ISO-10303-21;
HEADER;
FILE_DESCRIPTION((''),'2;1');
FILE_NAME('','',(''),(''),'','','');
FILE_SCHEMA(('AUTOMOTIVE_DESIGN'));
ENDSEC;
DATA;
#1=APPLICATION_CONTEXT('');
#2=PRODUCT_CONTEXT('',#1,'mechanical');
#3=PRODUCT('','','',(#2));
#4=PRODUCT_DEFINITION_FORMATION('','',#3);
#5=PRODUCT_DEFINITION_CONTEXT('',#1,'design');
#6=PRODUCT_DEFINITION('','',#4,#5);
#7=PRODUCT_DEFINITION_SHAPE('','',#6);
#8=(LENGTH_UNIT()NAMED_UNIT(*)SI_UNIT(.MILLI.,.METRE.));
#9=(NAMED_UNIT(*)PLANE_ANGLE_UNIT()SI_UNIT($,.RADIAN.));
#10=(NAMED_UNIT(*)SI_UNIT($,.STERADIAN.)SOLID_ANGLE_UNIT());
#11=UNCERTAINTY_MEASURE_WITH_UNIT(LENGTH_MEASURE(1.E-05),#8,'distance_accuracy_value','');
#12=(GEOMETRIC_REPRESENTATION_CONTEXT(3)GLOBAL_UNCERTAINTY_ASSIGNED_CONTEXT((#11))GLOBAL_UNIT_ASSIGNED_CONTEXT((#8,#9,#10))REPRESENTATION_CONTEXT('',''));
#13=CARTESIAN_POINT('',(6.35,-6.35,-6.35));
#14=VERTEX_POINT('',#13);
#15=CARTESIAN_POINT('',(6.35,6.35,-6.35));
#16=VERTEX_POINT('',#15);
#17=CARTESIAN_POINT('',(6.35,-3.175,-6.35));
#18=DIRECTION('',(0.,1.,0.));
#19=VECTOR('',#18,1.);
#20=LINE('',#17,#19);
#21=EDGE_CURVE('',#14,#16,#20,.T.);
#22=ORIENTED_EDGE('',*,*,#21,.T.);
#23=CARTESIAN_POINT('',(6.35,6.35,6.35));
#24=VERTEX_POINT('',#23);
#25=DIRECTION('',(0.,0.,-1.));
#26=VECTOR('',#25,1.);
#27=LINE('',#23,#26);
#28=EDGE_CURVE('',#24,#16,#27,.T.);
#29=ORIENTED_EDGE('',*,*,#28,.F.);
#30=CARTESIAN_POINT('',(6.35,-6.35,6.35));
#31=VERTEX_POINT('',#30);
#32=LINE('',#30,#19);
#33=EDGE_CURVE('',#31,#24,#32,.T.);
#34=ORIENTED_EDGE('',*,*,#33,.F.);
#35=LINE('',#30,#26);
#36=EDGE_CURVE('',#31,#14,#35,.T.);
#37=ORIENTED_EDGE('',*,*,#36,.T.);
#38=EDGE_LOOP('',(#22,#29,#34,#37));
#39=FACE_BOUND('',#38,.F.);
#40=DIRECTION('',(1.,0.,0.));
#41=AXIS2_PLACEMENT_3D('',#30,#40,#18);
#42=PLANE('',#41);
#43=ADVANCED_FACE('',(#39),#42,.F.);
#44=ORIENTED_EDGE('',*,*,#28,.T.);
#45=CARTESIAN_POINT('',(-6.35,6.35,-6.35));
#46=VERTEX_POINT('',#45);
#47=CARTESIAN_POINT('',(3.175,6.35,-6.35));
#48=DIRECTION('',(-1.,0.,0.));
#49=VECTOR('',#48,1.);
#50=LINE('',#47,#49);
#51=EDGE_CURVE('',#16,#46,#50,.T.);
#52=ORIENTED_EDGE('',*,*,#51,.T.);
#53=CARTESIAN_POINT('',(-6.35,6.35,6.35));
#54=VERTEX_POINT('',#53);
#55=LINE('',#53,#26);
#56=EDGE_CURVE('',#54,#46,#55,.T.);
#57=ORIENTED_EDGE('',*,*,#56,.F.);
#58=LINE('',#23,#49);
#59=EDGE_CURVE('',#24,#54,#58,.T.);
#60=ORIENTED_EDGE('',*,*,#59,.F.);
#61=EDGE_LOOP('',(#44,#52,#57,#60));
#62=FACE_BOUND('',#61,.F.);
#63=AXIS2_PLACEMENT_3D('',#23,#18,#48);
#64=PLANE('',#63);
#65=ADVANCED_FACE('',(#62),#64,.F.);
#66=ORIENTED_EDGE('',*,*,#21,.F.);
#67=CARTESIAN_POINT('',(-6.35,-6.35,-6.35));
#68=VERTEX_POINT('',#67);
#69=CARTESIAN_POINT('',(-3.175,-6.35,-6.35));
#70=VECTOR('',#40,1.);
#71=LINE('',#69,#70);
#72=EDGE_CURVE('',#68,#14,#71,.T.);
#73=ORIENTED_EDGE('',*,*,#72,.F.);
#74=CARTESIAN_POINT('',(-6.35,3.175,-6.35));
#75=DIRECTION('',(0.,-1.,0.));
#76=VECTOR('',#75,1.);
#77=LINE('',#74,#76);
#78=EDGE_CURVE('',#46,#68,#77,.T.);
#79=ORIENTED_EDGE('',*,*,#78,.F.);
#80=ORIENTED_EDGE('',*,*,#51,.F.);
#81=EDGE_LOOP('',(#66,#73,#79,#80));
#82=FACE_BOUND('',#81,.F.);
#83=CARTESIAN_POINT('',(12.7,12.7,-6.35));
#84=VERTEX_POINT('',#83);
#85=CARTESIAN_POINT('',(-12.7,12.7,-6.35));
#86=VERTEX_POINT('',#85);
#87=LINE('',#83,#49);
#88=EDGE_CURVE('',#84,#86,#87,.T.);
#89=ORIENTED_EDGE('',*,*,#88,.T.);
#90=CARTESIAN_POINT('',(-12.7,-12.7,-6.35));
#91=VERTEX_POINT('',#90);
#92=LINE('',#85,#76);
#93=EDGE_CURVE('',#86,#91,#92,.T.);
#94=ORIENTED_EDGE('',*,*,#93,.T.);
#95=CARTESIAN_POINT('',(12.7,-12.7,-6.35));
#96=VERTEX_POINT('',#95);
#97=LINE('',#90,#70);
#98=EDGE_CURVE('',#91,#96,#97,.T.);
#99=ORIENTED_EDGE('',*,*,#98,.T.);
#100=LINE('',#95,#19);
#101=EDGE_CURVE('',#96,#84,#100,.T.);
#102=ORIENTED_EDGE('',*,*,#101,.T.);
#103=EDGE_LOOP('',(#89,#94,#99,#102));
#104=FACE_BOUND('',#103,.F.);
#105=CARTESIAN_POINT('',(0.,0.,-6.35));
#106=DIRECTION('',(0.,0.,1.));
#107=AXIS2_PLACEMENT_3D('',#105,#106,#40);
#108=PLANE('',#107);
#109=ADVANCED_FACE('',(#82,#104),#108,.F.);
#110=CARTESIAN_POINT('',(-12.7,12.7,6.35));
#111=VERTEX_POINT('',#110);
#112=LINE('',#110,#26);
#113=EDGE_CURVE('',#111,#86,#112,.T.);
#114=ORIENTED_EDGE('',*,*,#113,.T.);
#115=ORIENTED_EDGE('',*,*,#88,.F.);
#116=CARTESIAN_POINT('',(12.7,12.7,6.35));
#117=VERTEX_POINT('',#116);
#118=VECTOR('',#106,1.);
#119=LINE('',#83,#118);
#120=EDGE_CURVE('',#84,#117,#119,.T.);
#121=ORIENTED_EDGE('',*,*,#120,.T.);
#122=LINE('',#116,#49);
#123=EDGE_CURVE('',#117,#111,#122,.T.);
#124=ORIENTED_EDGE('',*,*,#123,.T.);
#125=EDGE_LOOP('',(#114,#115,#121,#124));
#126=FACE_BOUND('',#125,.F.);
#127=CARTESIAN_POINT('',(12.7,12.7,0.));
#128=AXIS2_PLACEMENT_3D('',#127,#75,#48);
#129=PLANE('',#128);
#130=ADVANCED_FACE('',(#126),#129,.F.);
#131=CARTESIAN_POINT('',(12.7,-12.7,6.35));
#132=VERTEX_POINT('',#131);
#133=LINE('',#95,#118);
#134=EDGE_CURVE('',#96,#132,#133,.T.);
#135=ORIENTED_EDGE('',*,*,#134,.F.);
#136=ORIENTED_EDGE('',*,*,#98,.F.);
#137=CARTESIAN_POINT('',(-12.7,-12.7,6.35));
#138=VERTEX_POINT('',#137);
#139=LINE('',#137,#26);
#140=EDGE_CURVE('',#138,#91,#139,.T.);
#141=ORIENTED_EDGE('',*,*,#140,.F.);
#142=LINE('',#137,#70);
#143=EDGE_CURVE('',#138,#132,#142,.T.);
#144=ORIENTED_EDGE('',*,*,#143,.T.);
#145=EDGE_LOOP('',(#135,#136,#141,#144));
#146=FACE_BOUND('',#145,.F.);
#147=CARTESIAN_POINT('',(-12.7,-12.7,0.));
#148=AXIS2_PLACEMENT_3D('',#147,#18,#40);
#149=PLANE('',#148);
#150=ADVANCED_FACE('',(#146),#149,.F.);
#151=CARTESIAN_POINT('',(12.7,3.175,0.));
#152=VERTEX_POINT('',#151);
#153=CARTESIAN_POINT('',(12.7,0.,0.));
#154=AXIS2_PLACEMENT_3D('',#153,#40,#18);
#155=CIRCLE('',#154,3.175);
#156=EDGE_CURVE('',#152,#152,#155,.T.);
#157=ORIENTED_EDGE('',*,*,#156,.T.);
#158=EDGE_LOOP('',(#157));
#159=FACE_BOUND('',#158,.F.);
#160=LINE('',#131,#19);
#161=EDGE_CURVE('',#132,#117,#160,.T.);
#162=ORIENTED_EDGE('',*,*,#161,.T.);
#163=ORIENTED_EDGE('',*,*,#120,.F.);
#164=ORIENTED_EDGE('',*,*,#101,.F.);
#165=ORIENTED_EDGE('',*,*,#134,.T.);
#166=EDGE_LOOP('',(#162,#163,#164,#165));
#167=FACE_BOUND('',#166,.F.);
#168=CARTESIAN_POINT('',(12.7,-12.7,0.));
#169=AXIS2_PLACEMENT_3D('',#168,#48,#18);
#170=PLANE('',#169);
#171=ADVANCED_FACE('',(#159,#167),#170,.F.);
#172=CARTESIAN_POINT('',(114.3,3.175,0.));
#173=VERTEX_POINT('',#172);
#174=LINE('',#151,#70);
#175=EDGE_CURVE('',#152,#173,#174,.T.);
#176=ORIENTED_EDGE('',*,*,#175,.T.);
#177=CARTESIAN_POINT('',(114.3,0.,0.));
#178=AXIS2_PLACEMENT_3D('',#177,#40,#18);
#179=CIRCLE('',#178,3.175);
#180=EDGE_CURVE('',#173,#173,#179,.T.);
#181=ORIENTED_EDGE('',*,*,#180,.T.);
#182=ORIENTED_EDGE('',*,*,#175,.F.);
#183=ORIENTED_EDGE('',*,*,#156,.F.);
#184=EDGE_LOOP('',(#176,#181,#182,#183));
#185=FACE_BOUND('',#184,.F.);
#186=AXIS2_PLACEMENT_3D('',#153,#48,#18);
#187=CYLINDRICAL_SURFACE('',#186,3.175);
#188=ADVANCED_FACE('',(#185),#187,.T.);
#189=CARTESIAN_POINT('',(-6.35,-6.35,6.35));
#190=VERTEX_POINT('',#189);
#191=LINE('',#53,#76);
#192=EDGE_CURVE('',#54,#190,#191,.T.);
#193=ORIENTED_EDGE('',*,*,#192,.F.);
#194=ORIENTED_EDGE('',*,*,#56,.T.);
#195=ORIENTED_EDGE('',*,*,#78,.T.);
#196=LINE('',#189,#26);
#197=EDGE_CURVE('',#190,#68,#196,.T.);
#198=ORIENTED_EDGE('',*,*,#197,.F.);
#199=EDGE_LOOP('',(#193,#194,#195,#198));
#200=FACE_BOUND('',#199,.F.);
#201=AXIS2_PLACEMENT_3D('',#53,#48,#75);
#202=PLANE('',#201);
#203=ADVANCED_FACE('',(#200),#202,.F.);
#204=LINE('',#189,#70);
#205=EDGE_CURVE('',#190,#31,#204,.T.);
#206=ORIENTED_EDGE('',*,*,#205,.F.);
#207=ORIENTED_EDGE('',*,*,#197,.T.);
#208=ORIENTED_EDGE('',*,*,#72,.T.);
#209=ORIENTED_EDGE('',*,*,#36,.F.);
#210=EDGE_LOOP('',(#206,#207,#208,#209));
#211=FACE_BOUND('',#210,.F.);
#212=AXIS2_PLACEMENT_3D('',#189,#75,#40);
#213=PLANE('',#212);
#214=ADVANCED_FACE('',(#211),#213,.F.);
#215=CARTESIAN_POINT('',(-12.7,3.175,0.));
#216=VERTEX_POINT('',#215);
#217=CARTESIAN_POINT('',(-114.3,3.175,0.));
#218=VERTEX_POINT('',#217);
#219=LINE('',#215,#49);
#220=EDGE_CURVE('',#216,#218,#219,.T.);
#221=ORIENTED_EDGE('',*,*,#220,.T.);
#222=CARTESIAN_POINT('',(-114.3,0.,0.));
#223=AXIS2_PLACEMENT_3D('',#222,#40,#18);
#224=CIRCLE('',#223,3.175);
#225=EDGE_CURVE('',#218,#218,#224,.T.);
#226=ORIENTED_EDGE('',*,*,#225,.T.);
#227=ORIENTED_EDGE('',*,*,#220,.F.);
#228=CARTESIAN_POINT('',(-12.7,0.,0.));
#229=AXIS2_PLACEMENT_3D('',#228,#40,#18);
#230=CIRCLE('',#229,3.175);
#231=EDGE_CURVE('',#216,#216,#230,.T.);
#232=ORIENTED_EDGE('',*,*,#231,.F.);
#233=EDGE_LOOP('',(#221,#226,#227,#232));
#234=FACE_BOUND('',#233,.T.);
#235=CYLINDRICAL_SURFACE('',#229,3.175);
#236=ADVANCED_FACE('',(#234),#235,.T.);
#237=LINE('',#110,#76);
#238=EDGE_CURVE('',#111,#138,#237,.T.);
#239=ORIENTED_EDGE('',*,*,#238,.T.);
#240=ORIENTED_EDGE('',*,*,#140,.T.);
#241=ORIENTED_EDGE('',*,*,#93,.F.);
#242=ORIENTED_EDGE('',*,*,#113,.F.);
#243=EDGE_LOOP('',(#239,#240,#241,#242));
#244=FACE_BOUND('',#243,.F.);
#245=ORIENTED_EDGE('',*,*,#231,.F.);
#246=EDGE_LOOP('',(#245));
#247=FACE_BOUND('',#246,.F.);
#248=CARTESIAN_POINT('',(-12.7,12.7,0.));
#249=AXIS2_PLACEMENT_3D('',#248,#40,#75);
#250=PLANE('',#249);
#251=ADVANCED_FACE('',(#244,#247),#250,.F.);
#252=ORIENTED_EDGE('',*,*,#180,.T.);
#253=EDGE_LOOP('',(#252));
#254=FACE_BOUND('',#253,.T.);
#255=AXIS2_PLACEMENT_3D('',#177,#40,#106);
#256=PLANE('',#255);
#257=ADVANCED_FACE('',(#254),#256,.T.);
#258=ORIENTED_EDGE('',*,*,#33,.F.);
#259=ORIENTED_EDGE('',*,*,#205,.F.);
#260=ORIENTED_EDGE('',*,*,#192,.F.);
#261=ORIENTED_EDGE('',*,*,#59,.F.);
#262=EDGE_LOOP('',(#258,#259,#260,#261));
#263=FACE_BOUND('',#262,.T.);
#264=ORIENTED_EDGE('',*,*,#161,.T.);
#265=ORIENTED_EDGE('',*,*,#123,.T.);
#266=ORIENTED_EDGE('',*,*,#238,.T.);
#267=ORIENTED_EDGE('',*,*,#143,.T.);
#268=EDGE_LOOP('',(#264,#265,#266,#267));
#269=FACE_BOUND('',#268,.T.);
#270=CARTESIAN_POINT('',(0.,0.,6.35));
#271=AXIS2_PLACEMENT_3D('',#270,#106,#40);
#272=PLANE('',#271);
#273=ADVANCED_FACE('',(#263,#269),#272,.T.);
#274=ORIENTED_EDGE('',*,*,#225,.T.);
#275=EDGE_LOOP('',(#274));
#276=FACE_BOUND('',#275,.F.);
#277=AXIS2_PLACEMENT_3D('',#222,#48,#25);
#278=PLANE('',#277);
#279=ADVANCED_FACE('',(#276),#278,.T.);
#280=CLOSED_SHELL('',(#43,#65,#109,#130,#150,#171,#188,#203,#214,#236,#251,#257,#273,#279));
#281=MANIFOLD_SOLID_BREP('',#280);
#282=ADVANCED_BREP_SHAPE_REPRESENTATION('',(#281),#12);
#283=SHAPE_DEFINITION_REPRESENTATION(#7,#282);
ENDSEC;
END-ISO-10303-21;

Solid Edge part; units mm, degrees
sketch "Sketch1" plane through (0, 0, 0) normal (0, 0, 1) x (1, 0, 0)
  line L0 (-12.7, -12.7) -> (12.7, -12.7)
  line L1 (12.7, -12.7) -> (12.7, 12.7)
  line L2 (12.7, 12.7) -> (-12.7, 12.7)
  line L3 (-12.7, 12.7) -> (-12.7, -12.7)
  dimension "D1" = 25.4
  dimension "D2" = 25.4
  dimension "D3" = 12.7
  dimension "D4" = 12.7
extrude "Protrusion1" add sketch "Sketch1" along normal mid plane 12.7
sketch "Sketch2" plane through (12.7, 0, 0) normal (1, 0, 0) x (0, 1, 0)
  circle A0 centre (0, 0) radius 3.175
  dimension "D1" = 6.35
extrude "ExtrudedProtrusion_3" add sketch "Sketch2" along normal blind 101.6
mirror "Mirror1" about plane through (0, 0, 0) normal (1, 0, 0) of "ExtrudedProtrusion_3"
sketch "Sketch3" plane through (0, 0, 6.35) normal (0, 0, 1) x (1, 0, 0)
  line L0 (-6.35, -6.35) -> (6.35, -6.35)
  line L1 (6.35, -6.35) -> (6.35, 6.35)
  line L2 (6.35, 6.35) -> (-6.35, 6.35)
  line L3 (-6.35, 6.35) -> (-6.35, -6.35)
  dimension "D1" = 12.7
  dimension "D2" = 12.7
  dimension "D3" = 6.35
  dimension "D4" = 6.35
extrude "Cutout1" cut sketch "Sketch3" against normal through all
